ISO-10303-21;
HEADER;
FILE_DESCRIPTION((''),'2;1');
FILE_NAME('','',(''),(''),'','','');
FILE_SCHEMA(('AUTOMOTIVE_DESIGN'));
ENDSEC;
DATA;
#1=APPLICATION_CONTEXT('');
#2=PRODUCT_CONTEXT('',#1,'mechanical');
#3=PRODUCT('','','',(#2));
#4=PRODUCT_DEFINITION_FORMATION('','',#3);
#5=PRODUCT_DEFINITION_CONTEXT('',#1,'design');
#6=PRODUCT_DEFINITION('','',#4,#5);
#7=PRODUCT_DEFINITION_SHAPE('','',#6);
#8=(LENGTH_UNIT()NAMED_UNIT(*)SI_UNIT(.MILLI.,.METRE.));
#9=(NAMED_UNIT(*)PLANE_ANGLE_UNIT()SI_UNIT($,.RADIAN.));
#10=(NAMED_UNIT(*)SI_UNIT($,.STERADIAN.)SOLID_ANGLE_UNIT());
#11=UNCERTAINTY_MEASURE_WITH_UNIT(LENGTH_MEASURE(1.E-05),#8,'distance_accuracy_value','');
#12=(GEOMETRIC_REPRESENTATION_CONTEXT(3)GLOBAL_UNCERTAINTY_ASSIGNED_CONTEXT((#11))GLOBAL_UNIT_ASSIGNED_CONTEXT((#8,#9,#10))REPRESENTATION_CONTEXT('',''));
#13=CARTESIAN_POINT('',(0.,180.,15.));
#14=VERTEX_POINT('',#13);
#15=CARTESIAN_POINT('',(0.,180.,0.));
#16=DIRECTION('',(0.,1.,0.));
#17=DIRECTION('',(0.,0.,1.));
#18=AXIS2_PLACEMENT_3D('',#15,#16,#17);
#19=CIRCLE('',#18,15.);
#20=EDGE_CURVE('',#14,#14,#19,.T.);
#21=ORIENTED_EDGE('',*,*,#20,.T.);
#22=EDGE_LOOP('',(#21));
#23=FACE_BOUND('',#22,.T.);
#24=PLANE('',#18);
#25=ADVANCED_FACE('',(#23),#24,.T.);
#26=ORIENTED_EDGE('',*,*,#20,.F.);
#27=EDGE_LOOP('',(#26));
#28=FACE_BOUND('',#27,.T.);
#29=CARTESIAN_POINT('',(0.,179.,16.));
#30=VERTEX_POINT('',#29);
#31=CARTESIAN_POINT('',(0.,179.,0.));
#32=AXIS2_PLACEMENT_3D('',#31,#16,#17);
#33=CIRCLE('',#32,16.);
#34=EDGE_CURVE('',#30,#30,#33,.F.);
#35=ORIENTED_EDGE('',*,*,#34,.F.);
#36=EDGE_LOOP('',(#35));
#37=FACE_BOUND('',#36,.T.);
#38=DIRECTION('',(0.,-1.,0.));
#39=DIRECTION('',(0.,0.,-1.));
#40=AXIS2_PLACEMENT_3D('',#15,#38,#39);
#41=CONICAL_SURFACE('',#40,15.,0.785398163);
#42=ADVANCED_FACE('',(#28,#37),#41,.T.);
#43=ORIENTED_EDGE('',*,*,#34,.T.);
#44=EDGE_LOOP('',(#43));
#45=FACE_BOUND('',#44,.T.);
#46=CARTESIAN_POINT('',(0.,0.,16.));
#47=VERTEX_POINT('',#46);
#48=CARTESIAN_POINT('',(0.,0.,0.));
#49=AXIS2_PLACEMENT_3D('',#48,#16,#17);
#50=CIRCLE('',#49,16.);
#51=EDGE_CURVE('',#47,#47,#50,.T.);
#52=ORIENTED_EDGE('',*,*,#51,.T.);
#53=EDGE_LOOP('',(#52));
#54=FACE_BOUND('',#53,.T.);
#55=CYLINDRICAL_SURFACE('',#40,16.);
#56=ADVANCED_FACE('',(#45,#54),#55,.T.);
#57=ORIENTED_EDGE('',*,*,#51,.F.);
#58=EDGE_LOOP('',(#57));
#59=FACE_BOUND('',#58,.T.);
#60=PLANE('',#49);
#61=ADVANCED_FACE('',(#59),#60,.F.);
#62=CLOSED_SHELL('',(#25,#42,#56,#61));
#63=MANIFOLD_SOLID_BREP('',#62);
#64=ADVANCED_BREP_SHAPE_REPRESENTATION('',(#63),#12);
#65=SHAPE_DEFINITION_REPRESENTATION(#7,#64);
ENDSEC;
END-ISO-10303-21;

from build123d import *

# Parameters (mm, degrees)
SKETCH1_R           = 16
BOSS_EXTRUDE1_DEPTH = 180
CHAMFER1_SIZE       = 1


with BuildPart() as part:
    # Sketch1 → Boss-Extrude1 (new body)
    with BuildSketch(Plane(origin=(0, 0, 0), x_dir=(1, 0, 0), z_dir=(0, 1, 0))):
        Circle(SKETCH1_R)
    extrude(amount=BOSS_EXTRUDE1_DEPTH)

    # Chamfer1
    chamfer1_edges = [part.edges().sort_by_distance(p)[0] for p in [
        (-16, 180, 0),
    ]]
    chamfer(chamfer1_edges, length=CHAMFER1_SIZE)


solid = part.part
